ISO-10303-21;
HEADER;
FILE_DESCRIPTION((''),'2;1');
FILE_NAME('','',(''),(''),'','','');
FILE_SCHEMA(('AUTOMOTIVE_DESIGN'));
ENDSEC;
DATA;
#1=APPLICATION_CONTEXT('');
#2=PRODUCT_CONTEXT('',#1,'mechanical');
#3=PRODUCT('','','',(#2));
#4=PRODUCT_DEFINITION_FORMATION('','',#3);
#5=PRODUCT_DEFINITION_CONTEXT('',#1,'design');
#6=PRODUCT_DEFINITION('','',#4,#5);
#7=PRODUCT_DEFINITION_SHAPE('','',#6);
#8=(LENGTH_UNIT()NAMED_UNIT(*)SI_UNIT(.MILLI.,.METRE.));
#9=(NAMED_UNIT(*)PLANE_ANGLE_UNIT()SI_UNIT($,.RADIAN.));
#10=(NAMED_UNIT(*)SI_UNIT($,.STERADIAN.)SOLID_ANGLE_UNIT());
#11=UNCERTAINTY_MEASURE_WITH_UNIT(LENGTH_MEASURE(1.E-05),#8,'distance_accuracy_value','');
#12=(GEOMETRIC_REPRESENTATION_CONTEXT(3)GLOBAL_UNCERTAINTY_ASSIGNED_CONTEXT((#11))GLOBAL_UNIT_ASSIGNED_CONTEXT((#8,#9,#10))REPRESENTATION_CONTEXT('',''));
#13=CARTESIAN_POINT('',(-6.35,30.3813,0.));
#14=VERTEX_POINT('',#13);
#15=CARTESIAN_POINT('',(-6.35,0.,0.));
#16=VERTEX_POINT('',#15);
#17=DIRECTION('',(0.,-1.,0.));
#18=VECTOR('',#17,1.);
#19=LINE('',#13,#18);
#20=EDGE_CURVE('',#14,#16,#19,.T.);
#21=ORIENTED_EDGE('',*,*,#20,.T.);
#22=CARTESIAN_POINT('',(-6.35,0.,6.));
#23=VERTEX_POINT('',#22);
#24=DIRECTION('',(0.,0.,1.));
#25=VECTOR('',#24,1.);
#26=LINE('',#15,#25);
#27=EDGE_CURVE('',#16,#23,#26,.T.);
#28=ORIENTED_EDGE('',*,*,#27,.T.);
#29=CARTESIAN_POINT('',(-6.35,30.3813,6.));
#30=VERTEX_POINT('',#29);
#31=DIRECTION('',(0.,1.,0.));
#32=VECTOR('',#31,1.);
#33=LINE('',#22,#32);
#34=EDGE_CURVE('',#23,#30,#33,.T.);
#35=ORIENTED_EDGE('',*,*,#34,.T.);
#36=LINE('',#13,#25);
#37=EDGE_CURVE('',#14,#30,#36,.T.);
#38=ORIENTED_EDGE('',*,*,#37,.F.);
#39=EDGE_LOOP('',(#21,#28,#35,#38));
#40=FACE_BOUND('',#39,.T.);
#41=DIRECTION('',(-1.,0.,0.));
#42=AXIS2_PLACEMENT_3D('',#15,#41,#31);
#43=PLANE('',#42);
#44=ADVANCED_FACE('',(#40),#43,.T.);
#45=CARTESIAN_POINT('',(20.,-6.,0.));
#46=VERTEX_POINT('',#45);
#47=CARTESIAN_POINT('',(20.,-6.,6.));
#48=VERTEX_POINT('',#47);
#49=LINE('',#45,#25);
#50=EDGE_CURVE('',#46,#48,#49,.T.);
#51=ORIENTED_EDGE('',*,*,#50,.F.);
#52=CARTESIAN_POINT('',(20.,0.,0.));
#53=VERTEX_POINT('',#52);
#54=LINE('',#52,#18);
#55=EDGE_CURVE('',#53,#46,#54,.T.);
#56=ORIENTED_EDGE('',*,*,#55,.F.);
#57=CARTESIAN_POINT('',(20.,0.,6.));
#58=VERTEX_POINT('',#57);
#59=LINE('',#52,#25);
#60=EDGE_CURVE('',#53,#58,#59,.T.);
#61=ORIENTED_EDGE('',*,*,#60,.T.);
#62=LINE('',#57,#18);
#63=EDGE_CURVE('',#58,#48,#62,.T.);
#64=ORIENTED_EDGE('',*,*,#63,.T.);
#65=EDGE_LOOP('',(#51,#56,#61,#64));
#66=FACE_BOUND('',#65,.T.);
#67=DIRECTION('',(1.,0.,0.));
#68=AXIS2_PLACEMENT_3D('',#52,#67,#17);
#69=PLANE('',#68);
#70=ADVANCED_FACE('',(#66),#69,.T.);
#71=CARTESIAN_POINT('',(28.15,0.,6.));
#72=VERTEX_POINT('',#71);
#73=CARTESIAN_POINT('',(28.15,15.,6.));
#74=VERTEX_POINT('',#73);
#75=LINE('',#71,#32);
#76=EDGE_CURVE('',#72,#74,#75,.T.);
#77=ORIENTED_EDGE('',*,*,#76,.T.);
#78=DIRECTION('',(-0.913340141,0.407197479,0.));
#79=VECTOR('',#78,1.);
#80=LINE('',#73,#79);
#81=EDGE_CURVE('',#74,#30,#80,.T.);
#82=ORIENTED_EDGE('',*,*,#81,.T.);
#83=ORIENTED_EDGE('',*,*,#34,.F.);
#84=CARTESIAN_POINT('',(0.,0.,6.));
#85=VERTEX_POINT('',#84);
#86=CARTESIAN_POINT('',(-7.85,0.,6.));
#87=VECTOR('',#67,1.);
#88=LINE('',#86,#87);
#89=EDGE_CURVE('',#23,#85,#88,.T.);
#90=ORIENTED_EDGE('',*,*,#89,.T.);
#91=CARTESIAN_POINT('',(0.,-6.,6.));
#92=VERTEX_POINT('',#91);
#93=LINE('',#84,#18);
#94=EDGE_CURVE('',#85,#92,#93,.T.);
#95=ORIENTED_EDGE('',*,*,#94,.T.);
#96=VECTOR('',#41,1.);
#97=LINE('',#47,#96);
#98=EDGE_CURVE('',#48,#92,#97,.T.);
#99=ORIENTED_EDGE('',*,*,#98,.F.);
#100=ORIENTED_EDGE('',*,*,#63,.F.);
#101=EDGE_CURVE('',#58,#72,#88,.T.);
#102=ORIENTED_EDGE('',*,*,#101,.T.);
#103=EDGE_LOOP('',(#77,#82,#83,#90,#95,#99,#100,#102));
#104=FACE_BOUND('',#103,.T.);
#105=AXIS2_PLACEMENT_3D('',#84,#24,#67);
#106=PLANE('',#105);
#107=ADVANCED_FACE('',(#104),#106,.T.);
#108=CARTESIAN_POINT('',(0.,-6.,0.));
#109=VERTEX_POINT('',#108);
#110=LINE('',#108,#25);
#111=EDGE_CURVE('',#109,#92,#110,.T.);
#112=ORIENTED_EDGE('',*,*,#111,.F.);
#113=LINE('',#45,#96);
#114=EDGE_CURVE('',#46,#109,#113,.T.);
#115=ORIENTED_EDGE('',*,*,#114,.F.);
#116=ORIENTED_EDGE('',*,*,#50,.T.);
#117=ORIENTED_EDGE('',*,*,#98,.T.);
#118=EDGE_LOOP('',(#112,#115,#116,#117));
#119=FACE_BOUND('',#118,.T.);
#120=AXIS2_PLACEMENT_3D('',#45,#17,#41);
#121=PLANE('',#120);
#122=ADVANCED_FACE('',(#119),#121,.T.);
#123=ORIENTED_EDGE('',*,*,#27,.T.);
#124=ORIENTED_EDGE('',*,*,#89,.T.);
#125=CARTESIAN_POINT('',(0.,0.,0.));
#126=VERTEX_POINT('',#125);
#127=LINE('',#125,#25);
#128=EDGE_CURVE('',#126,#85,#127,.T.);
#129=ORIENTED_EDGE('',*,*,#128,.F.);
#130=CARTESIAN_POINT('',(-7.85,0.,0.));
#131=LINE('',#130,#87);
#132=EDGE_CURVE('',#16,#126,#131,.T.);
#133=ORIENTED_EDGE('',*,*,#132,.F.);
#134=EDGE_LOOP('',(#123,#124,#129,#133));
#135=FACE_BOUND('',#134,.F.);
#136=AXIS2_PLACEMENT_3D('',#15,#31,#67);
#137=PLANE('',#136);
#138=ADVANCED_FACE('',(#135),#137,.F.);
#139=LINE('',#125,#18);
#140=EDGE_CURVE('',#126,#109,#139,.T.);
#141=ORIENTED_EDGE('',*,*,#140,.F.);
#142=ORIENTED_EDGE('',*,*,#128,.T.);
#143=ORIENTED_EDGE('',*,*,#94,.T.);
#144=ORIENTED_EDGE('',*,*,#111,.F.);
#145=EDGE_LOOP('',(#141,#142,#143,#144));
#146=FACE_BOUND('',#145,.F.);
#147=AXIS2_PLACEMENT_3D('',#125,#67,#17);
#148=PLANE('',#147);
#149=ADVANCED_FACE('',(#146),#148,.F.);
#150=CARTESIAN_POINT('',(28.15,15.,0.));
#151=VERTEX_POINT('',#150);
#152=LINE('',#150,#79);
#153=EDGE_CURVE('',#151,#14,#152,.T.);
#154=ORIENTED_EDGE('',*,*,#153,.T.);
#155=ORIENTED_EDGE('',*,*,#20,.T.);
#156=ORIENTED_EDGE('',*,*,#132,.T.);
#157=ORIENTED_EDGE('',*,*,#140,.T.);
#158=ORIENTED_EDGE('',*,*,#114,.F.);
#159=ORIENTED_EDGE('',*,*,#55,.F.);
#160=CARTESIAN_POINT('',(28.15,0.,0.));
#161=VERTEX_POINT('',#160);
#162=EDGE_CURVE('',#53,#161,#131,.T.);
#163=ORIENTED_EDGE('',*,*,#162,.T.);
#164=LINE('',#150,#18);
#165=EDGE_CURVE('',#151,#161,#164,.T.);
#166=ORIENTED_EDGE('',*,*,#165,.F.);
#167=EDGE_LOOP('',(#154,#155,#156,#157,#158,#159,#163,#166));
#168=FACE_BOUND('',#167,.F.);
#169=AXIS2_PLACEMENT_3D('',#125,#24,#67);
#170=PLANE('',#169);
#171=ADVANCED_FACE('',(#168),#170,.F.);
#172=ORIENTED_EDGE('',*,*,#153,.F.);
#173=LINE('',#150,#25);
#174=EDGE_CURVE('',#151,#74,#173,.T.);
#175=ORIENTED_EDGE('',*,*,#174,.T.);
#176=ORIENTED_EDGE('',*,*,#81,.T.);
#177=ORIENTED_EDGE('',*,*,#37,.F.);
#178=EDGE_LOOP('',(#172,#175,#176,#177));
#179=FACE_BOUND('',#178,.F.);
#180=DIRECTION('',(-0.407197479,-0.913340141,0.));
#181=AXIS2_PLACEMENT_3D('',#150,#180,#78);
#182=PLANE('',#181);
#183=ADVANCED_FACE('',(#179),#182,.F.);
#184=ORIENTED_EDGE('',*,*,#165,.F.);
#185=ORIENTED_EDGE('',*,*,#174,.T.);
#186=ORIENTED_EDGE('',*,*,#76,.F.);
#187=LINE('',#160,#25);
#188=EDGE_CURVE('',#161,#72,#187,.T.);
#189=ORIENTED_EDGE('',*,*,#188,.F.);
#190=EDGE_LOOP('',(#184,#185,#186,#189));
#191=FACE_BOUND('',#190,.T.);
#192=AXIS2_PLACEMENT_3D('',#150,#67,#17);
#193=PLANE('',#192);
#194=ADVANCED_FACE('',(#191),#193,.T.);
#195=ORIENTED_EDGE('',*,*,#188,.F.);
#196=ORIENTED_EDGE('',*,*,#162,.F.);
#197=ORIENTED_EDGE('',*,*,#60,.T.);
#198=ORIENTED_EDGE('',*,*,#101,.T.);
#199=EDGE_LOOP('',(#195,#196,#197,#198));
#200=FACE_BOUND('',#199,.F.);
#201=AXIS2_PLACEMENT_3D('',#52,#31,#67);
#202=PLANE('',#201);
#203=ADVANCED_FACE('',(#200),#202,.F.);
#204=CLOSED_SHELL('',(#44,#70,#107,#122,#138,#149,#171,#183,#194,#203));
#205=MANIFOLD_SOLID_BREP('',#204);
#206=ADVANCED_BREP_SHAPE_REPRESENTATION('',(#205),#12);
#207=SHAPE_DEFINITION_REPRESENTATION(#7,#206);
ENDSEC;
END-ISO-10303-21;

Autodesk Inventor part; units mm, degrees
ref_plane "YZ Plane" through (0, 0, 0) normal (1, 0, 0) x (0, 1, 0)
ref_plane "XZ Plane" through (0, 0, 0) normal (0, 1, 0) x (-1, 0, 0)
ref_plane "XY Plane" through (0, 0, 0) normal (0, 0, 1) x (1, 0, 0)
ref_plane "Work Plane1" through (0, 0, 0) normal (0, 0, 1) x (1, 0, 0)
sketch "Sketch1" plane through (0, 0, 0) normal (0, 0, 1) x (1, 0, 0)
  line L0 (0, 0) -> (20, 0)
  line L1 (0, 0) -> (0, -6)
  line L2 (20, -6) -> (0, -6)
  line L3 (20, 0) -> (20, -6)
  line L4 (34.15, 0) -> (34.15, 6.2)
  line L5 (34.15, 0) -> (28.15, 0)
  line L6 (28.15, 6.2) -> (28.15, 0)
  line L7 (34.15, 6.2) -> (28.15, 6.2)
  line L8 (28.15, 15) -> (28.15, 0)
  line L9 (-7.85, 48.6) -> (-7.85, 2.8)
  line L10 (-7.85, 0) -> (28.15, 0)
  line L11 (28.15, 0) -> (28.15, 15)
  line L12 (28.15, 15) -> (-7.85, 15)
  line L13 (-7.85, 15) -> (-7.85, 0)
  line L14 (28.15, 15) -> (-7.85, 31.05)
  line L15 (-7.85, 31.05) -> (-7.85, 15)
  line L16 (-6.35, 0) -> (-6.35, 30.3813)
  point P0 (-8.95, 31.05)
  dimension "d1" = 1.5
extrude "Plate2" add sketch "Sketch1" along normal blind 6 contours L10 L16 L12 L8 L6 L0 | L0 L3 L2 L1 | L16 L14 L12
equation "\"d2\" = Thickness"
equation "\"BendRadius\" = Thickness"
equation "\"BendReliefWidth\" = Thickness"
equation "\"BendReliefDepth\" = 0.5 * Thickness"
equation "\"CornerReliefSize\" = 4 * Thickness"
equation "\"MinimumRemnant\" = 2 * Thickness"
equation "\"TransitionRadius\" = BendRadius"
equation "\"JacobiRadiusSize\" = BendRadius"
equation "\"GapSize\" = Thickness"
equation "\"Thickness\" = 6"
properties part number "tussenschotje" material "Wood (Birch)"
